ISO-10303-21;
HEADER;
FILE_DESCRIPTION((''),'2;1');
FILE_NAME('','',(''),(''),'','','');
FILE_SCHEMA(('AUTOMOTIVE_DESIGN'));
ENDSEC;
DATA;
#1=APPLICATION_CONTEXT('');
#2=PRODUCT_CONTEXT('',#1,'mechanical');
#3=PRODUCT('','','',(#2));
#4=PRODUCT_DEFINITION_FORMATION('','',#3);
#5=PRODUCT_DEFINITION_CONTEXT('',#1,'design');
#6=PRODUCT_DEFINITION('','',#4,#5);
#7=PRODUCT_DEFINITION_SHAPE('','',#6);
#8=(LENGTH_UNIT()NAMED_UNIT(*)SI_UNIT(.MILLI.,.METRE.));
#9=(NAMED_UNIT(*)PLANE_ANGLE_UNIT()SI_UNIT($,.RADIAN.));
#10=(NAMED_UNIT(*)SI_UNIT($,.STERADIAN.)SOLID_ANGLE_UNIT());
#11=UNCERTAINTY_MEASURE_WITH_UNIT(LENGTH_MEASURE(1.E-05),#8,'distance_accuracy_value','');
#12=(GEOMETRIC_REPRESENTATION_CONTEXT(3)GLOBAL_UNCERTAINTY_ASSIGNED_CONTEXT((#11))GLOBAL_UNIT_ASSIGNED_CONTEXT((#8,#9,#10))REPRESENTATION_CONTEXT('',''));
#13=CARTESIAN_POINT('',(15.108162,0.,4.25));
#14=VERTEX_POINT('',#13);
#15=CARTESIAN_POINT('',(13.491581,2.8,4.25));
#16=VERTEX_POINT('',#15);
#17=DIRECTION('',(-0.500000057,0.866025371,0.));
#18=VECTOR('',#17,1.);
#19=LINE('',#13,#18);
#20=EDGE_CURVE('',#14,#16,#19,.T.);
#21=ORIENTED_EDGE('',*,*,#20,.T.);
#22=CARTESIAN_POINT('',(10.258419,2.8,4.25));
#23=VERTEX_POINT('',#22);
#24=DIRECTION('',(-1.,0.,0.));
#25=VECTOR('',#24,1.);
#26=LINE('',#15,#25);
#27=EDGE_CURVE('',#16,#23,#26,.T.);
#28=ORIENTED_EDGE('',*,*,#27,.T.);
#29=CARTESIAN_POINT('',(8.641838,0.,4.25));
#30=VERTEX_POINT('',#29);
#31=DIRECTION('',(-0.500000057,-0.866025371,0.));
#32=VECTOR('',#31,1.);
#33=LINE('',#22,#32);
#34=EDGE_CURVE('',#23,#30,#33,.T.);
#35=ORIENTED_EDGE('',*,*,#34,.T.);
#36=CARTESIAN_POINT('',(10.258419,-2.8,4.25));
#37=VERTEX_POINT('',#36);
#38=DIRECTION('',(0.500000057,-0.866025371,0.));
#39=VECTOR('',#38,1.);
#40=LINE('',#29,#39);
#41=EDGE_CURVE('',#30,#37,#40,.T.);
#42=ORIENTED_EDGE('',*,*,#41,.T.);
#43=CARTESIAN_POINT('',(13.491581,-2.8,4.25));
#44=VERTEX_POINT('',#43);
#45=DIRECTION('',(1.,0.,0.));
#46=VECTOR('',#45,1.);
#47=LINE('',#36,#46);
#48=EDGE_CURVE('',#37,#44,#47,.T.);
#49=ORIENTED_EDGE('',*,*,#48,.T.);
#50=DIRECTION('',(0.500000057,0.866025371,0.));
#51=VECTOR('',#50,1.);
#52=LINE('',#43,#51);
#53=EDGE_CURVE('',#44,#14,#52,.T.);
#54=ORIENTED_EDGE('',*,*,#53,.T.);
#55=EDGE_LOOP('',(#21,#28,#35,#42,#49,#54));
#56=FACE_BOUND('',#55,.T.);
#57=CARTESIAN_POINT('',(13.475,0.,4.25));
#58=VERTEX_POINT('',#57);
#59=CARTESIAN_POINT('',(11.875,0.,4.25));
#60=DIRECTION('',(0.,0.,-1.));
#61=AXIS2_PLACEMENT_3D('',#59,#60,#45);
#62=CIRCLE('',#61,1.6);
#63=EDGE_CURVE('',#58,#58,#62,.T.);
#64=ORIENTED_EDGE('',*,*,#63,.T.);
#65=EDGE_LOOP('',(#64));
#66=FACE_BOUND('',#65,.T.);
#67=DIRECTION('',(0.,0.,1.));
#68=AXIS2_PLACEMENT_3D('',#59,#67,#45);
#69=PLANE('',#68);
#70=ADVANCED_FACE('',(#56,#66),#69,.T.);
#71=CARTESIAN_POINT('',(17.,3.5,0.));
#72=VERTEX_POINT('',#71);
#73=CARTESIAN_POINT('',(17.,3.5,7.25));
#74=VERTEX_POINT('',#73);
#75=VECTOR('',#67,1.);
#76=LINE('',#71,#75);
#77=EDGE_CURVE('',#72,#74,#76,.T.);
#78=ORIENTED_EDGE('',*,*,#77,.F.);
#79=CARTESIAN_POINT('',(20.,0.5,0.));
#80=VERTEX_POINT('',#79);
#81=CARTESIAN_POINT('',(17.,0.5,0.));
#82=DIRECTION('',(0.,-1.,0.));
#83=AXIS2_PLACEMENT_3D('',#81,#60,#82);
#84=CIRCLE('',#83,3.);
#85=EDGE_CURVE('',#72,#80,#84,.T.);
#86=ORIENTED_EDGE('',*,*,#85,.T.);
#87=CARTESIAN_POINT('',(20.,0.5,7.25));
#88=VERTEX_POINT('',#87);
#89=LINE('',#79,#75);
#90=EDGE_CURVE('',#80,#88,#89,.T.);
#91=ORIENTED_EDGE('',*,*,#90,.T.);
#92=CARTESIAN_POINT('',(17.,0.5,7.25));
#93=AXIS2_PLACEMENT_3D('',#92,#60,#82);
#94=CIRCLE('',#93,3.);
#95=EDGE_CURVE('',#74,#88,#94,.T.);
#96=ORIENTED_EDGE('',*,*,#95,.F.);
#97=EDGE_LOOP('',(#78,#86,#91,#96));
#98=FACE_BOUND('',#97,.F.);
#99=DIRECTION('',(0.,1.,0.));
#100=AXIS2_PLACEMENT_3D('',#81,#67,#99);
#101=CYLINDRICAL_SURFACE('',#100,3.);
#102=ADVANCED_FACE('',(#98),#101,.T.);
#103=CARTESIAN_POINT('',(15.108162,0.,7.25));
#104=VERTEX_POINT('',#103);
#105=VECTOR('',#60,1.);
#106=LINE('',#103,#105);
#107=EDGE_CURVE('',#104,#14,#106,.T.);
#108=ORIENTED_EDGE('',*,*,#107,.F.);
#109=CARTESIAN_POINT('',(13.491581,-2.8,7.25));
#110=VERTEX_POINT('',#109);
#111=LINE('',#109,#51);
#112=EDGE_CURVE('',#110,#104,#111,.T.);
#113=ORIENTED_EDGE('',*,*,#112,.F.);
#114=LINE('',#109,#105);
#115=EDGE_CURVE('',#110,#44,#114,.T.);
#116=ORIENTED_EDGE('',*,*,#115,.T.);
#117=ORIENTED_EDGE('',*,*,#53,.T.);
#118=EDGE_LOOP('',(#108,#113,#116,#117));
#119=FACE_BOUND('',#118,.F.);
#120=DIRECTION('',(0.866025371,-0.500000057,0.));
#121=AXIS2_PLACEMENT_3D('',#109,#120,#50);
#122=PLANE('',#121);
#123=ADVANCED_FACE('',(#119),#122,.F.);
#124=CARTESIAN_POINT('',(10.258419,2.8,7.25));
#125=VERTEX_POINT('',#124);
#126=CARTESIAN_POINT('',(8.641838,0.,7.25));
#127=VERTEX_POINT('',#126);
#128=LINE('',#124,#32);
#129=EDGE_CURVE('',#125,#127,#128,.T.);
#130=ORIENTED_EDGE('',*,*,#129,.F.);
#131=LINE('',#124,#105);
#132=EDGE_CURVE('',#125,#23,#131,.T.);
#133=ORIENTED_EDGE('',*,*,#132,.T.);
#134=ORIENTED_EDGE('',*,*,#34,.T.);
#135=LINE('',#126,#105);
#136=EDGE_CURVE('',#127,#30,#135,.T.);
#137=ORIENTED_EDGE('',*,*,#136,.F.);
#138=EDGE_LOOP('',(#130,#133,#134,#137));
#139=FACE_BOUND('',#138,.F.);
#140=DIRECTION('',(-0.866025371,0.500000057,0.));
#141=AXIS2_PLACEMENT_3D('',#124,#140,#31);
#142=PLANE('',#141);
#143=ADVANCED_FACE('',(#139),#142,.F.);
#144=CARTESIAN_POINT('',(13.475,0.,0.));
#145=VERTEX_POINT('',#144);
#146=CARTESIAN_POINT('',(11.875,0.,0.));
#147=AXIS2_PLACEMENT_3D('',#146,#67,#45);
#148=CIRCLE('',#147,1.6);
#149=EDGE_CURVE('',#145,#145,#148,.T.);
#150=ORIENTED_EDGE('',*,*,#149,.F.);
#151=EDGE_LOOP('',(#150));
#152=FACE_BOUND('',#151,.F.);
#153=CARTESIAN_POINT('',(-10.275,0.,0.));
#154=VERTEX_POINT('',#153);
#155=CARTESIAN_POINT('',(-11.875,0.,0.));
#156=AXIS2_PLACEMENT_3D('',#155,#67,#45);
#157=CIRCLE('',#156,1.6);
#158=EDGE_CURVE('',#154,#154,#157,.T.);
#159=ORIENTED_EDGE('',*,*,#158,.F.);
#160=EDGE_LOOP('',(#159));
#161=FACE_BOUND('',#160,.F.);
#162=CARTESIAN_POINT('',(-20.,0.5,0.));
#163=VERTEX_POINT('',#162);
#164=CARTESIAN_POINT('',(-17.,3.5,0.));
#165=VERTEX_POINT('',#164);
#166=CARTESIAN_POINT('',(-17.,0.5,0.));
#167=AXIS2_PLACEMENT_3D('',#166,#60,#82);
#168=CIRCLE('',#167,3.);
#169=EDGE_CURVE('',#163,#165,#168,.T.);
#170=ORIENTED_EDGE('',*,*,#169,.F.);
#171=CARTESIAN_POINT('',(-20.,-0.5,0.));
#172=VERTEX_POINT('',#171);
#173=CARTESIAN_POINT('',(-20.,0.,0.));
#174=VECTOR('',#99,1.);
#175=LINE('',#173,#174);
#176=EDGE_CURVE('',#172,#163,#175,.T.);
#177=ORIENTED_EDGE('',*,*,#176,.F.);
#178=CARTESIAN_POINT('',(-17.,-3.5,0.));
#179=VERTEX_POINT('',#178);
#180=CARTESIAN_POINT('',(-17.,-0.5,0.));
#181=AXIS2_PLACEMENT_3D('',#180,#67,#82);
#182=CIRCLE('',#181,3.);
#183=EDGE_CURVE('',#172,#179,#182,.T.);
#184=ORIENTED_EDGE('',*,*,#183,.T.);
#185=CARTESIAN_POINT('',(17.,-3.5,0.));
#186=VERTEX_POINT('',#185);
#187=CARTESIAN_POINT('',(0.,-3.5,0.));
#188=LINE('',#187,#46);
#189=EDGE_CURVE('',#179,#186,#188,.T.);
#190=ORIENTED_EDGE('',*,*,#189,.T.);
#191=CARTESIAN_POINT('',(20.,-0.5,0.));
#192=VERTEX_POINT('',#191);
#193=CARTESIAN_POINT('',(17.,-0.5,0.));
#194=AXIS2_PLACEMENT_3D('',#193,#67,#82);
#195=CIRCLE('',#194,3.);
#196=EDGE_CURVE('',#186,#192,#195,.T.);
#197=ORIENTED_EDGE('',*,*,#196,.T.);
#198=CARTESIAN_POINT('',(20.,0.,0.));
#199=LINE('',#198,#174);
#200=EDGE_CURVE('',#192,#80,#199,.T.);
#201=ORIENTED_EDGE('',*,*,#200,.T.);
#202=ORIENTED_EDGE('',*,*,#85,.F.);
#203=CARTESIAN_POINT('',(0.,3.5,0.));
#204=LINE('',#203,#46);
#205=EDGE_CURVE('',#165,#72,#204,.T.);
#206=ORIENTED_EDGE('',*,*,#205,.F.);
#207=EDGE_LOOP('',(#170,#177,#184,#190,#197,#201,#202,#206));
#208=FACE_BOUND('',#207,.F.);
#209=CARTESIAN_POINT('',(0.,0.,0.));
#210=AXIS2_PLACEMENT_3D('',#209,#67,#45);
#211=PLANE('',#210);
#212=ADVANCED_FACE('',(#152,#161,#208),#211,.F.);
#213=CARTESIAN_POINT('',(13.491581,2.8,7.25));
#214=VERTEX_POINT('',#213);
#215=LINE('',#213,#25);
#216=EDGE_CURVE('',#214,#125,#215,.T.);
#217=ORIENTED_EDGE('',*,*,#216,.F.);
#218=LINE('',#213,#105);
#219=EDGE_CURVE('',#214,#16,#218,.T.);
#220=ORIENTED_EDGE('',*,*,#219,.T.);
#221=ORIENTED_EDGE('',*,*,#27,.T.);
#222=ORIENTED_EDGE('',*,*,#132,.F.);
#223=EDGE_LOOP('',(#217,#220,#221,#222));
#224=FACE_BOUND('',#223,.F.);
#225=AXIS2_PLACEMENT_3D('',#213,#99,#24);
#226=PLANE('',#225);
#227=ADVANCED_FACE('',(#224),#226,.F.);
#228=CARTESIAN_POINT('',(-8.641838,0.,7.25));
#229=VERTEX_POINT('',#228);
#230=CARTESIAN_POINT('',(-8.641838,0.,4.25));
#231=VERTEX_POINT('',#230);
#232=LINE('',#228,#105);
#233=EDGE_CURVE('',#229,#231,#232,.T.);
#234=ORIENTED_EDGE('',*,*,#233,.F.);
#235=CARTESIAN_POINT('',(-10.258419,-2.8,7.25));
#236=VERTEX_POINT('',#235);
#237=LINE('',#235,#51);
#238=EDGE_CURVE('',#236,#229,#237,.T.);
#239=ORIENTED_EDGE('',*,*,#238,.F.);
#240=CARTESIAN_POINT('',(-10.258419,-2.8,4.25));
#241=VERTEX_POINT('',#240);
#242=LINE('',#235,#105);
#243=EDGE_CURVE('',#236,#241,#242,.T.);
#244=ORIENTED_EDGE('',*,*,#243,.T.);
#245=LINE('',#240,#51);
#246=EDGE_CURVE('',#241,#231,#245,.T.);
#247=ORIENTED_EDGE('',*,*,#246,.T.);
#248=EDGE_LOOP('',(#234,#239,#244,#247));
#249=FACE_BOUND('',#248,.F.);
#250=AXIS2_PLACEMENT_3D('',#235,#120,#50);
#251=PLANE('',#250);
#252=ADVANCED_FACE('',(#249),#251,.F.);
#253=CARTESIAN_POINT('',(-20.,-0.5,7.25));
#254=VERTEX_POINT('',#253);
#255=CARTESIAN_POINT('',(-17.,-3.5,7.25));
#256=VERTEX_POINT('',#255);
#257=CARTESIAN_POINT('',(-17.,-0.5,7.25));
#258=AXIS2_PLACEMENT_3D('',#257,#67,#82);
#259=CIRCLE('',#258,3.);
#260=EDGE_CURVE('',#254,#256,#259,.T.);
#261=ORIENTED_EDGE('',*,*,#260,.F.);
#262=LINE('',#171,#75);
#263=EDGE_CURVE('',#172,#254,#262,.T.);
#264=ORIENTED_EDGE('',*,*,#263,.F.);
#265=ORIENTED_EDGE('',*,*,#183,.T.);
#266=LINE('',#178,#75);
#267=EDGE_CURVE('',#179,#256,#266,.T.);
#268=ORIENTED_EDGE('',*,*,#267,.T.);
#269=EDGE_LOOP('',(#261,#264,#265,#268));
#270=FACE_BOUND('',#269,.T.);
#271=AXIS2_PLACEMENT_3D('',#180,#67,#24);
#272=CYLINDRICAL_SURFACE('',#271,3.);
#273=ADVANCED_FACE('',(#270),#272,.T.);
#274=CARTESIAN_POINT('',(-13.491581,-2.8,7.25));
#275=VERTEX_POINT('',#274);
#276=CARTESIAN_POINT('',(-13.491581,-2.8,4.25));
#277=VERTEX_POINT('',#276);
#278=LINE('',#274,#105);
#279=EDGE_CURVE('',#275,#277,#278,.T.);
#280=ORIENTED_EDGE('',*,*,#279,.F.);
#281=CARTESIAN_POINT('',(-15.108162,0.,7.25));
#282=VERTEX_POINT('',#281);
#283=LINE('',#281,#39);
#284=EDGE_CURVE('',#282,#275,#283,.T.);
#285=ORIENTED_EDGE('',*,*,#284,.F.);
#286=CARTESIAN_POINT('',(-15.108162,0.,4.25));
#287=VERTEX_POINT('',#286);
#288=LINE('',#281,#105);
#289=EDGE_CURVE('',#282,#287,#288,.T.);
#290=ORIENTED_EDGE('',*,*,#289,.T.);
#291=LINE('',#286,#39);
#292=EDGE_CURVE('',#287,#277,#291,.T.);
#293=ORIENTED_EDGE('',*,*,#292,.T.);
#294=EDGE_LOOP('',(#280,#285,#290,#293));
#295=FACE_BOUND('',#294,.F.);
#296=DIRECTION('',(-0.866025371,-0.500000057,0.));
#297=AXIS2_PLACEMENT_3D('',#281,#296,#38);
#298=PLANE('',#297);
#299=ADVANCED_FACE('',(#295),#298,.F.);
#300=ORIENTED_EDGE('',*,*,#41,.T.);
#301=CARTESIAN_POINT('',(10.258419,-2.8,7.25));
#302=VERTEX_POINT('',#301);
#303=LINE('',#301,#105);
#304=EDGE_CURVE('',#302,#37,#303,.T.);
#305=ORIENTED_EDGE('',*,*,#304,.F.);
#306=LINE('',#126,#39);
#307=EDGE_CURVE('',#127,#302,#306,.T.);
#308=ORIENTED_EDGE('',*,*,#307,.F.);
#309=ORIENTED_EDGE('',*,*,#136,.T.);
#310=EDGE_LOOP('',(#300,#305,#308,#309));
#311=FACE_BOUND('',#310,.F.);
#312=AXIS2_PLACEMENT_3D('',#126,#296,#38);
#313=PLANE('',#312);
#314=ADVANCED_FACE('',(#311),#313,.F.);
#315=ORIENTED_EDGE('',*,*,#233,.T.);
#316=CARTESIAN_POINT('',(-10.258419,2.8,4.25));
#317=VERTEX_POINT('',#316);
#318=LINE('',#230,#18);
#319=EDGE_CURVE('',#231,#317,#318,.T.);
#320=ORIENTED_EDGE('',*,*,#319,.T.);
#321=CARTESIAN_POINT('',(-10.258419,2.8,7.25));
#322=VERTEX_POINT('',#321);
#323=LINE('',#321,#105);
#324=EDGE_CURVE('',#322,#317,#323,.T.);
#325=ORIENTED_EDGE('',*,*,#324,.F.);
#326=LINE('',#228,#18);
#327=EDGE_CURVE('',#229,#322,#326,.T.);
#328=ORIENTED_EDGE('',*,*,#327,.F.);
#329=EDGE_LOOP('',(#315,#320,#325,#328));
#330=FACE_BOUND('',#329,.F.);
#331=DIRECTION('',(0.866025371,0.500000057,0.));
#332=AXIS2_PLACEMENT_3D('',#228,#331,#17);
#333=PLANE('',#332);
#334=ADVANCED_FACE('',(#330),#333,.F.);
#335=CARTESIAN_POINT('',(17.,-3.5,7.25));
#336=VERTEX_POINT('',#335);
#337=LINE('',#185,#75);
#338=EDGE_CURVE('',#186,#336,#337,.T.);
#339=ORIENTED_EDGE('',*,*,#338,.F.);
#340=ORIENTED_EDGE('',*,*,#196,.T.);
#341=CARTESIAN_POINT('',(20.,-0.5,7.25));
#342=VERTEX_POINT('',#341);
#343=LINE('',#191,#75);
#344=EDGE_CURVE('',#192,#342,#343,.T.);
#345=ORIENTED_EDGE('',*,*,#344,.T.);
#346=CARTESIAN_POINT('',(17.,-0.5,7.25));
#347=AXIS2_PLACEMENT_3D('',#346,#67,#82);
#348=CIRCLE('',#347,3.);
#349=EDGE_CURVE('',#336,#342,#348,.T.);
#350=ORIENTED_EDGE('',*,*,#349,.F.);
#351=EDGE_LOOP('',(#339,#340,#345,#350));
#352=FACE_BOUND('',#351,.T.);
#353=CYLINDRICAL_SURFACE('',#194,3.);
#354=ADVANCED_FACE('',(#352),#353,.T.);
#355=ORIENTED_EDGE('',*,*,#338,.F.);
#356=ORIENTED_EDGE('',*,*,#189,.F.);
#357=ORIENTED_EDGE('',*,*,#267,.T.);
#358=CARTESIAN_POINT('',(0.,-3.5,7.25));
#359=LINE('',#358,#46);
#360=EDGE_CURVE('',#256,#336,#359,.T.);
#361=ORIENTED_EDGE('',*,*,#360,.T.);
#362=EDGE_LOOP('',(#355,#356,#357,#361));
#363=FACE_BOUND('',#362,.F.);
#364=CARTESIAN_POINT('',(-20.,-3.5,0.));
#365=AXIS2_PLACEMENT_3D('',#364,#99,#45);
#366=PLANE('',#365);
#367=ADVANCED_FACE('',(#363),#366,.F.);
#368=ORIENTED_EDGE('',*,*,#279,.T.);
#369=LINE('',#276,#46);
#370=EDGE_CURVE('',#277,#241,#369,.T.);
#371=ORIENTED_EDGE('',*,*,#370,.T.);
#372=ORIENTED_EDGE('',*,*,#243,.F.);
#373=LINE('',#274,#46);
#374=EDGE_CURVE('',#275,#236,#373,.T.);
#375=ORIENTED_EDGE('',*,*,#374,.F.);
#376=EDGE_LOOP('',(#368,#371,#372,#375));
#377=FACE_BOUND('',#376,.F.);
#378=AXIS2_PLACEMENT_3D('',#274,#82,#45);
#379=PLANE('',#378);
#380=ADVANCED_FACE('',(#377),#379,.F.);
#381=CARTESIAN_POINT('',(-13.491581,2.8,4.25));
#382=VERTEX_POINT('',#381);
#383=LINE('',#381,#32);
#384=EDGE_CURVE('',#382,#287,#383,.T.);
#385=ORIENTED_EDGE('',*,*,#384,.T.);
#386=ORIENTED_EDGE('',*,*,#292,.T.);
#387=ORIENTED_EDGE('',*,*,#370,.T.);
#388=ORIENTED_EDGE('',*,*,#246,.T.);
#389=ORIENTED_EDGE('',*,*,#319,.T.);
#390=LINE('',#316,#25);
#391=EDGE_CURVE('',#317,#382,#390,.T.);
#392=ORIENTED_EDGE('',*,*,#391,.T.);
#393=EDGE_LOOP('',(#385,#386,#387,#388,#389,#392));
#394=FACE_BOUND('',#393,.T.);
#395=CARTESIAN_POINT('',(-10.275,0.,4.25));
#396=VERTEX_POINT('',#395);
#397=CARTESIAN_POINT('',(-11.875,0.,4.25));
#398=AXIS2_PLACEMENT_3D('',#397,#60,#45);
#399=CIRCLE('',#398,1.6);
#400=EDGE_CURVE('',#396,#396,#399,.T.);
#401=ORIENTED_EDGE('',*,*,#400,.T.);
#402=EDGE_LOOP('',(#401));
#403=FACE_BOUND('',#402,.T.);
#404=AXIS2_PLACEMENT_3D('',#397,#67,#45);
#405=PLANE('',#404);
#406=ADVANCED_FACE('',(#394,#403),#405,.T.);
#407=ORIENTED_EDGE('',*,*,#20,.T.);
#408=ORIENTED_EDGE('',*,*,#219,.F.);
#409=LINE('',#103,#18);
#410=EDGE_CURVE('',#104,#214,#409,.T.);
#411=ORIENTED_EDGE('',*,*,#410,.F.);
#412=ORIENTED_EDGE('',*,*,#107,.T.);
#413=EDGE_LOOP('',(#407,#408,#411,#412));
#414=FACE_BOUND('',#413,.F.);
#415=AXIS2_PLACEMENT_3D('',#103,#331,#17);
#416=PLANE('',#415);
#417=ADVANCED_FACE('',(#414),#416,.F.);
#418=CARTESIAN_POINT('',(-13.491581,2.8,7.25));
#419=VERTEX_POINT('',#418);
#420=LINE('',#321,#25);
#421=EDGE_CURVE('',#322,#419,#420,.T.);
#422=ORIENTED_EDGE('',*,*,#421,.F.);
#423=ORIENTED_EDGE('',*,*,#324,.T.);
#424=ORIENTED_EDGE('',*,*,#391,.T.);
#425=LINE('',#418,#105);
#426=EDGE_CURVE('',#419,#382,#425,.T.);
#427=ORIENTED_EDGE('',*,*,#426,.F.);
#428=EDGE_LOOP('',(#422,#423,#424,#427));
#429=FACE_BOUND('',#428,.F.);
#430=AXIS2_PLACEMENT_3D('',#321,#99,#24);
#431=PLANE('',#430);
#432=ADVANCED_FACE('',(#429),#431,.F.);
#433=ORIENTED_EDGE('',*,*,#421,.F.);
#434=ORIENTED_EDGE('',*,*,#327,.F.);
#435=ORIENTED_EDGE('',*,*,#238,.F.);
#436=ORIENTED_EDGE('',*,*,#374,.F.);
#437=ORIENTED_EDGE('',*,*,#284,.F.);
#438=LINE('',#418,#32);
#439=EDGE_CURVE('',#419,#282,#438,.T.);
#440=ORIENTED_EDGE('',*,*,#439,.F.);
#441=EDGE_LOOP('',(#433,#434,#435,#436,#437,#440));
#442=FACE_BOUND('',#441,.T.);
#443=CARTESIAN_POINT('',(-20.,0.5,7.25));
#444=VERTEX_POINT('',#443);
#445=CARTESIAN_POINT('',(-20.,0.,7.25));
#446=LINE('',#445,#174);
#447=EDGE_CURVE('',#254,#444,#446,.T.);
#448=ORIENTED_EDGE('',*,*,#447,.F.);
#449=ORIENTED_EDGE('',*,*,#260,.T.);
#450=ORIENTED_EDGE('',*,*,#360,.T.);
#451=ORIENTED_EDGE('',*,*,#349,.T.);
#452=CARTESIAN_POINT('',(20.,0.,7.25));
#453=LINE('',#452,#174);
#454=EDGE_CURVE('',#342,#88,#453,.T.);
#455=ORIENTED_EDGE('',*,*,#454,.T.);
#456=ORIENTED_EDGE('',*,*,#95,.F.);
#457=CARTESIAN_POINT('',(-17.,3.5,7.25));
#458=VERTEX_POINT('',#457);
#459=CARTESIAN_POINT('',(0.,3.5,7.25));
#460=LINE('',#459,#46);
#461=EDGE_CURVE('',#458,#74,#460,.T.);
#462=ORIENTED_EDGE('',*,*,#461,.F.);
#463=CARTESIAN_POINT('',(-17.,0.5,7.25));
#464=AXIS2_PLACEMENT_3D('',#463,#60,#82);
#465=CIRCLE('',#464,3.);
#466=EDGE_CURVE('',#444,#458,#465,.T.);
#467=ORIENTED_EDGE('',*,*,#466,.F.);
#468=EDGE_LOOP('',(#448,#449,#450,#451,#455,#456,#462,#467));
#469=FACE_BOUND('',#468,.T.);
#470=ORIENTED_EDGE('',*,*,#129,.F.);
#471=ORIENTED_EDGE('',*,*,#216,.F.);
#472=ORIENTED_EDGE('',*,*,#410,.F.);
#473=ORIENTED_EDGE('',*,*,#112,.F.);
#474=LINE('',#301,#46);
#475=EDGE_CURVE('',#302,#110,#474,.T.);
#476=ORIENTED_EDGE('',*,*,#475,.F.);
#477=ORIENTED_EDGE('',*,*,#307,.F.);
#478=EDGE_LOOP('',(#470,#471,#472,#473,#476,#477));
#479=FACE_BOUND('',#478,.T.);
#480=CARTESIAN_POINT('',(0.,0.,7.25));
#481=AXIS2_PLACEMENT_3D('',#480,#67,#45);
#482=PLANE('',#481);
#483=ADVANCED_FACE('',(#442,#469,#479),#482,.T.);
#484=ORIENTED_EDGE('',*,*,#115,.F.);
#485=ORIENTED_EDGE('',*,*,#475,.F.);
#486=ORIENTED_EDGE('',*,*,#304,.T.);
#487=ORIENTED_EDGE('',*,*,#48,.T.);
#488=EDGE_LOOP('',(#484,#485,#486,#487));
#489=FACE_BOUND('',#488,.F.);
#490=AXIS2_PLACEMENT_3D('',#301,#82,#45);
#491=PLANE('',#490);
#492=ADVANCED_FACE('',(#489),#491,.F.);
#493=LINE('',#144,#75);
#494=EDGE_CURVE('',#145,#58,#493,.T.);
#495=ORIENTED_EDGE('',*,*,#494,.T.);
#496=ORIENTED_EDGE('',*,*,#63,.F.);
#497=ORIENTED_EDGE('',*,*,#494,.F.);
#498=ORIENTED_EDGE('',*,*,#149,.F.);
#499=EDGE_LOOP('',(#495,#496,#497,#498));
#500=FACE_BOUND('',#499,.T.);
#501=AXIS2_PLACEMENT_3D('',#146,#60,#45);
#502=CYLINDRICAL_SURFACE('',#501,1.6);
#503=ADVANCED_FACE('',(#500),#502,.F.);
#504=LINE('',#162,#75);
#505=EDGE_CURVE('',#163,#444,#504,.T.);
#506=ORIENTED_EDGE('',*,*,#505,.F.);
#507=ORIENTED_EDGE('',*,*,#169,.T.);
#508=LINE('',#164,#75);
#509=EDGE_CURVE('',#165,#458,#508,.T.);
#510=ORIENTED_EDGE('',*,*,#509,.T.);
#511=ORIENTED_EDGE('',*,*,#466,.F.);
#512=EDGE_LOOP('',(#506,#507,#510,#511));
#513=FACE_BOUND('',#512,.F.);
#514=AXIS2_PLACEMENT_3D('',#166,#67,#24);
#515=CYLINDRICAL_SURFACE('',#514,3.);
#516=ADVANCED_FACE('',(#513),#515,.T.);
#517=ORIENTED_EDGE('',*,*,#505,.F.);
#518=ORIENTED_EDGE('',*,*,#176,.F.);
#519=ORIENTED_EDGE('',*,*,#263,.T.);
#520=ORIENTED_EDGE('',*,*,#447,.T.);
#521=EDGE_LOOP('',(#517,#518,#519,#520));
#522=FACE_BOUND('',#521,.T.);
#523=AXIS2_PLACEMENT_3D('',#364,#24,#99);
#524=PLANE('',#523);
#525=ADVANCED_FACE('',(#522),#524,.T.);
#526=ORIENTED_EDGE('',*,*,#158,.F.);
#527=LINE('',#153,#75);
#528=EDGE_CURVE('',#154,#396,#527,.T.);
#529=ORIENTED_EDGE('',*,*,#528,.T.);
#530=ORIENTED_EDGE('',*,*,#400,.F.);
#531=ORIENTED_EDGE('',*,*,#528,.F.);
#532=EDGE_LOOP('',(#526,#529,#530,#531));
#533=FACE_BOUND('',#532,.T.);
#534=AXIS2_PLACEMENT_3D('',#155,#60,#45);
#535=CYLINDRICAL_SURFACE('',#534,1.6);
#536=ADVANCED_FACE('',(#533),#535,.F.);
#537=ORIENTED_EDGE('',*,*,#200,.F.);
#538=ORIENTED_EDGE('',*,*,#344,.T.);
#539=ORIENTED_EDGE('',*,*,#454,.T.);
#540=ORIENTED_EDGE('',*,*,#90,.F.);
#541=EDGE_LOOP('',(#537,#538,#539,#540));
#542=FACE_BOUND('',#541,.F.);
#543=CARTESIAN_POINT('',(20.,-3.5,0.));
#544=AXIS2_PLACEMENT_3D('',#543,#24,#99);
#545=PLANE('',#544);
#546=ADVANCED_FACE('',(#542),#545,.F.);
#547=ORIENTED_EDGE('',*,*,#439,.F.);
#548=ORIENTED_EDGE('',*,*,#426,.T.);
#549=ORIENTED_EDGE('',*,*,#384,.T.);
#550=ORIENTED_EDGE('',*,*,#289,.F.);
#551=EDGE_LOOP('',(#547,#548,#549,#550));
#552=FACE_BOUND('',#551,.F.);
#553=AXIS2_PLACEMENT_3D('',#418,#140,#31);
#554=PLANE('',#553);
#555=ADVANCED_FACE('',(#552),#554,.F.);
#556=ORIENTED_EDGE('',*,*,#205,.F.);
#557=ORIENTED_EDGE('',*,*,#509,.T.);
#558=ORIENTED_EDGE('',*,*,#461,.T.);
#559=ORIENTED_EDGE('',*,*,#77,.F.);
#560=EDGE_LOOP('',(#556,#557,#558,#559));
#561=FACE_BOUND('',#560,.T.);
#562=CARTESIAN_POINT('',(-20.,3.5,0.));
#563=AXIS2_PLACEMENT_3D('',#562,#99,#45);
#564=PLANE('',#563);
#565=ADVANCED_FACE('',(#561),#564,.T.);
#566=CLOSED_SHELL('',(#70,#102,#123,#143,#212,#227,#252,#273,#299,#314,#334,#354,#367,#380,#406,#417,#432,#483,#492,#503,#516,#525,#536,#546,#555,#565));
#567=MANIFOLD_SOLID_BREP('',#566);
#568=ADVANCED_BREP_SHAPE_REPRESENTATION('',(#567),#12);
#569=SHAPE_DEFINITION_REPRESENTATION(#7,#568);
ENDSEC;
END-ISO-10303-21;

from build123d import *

# Parameters (mm, degrees)
SKETCH_W     = 40
SKETCH_H     = 7
SKETCH_R     = 1.6
PAD_DEPTH    = 7.25
POCKET_DEPTH = 3
FILLET_R     = 3


with BuildPart() as part:
    # Sketch → Pad (new body)
    with BuildSketch(Plane.XY):
        Rectangle(SKETCH_W, SKETCH_H)
        with Locations((-11.875, 0)):
            Circle(SKETCH_R, mode=Mode.SUBTRACT)
        with Locations((11.875, 0)):
            Circle(SKETCH_R, mode=Mode.SUBTRACT)
    extrude(amount=PAD_DEPTH)

    # Sketch001 (on Face8 of Pad) → Pocket (cut)
    with BuildSketch(Plane.XY.offset(7.25)):
        Polygon((-8.641838, 0), (-10.258419, 2.8), (-13.491581, 2.8), (-15.108162, 0), (-13.491581, -2.8), (-10.258419, -2.8), align=None)
        Polygon((8.641838, 0), (10.258419, -2.8), (13.491581, -2.8), (15.108162, 0), (13.491581, 2.8), (10.258419, 2.8), align=None)
    extrude(amount=-POCKET_DEPTH, mode=Mode.SUBTRACT)

    # Fillet
    fillet_edges = [part.edges().sort_by_distance(p)[0] for p in [
        (20, -3.5, 3.625),
        (20, 3.5, 3.625),
        (-20, 3.5, 3.625),
        (-20, -3.5, 3.625),
    ]]
    fillet(fillet_edges, radius=FILLET_R)


solid = part.part
